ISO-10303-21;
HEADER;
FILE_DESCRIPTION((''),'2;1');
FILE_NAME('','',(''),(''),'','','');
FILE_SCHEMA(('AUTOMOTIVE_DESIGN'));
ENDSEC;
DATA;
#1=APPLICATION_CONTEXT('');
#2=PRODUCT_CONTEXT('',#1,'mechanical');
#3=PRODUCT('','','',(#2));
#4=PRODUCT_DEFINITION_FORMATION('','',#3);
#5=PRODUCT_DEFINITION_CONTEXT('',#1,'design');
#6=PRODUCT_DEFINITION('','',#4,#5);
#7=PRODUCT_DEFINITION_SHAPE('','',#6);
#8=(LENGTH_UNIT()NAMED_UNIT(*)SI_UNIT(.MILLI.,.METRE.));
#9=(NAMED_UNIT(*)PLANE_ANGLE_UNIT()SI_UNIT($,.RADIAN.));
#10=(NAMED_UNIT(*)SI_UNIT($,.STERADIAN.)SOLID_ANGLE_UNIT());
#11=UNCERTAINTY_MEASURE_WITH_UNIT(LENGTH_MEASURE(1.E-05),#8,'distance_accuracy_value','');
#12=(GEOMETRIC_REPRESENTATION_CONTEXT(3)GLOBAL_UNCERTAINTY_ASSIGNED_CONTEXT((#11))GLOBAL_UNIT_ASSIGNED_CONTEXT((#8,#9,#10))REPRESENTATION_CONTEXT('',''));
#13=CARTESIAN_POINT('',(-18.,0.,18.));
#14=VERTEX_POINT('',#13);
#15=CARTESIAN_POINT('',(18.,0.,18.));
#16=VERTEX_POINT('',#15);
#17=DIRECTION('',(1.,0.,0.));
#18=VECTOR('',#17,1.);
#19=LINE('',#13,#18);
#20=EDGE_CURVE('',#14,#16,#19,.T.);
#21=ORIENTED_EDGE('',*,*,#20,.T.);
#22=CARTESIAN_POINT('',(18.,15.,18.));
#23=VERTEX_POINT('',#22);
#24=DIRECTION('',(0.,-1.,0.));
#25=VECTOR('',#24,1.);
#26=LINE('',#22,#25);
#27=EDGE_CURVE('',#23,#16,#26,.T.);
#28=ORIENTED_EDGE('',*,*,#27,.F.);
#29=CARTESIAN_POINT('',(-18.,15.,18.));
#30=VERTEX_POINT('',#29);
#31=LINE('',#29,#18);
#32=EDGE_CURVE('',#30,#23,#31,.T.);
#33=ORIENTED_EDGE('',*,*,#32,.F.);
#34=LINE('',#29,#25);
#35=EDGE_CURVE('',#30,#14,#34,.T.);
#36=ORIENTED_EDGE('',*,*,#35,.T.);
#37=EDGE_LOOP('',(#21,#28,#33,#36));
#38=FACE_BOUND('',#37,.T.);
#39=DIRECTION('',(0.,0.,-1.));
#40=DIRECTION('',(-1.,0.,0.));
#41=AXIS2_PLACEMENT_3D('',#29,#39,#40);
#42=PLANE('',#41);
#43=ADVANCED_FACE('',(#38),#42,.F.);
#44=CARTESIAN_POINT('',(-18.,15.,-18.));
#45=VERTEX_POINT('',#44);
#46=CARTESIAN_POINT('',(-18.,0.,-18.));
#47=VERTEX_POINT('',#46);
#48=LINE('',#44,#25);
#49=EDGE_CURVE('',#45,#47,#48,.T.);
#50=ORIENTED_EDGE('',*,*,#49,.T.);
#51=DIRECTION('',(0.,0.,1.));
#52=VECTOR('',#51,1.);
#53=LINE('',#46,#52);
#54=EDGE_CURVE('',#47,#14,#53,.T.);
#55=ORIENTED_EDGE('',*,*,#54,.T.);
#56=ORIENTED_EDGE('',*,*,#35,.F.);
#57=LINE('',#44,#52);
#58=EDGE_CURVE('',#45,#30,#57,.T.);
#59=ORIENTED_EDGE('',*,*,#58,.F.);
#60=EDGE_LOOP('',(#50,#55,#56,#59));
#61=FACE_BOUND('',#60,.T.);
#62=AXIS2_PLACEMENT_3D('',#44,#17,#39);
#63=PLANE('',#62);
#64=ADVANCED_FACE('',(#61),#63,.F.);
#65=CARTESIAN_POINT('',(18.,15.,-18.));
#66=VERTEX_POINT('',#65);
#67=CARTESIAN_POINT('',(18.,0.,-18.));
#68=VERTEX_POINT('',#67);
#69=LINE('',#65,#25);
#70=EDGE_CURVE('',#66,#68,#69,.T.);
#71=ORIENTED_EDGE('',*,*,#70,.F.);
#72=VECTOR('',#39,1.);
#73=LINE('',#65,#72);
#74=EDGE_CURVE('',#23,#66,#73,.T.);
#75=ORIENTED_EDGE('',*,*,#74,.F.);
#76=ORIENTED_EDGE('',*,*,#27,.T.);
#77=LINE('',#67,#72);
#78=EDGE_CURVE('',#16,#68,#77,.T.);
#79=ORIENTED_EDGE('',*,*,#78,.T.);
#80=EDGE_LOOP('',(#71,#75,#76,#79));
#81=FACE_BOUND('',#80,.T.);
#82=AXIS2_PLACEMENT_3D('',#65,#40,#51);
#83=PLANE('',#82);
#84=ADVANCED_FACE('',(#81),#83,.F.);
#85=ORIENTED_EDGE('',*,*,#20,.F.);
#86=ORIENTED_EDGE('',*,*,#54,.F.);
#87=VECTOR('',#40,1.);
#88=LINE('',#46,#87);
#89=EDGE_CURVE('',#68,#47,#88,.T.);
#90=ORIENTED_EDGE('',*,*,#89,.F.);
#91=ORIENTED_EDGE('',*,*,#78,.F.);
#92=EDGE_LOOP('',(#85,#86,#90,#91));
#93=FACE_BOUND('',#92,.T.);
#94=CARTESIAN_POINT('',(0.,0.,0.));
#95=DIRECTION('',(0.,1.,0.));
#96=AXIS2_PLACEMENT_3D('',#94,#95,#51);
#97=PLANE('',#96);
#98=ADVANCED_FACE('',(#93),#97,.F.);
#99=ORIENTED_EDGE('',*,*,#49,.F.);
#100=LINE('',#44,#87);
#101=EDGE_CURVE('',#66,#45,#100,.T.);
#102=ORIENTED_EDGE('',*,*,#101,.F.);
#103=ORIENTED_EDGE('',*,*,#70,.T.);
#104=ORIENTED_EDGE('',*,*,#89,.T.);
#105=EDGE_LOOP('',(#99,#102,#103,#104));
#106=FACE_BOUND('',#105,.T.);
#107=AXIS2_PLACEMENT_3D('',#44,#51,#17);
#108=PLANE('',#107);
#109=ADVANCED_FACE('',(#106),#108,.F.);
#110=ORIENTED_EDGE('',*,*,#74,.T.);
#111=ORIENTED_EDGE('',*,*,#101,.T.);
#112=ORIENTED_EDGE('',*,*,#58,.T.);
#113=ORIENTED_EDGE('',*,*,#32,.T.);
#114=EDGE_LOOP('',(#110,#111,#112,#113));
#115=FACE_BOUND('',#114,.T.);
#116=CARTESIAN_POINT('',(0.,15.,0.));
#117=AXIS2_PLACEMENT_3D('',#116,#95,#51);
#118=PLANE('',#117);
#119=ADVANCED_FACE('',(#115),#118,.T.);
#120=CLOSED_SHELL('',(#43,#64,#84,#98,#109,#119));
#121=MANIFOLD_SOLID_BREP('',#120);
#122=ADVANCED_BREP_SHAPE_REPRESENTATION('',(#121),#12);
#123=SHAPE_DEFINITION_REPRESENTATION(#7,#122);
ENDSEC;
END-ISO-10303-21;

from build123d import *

# Parameters (mm, degrees)
SKETCH_1_W      = 36
SKETCH_1_H      = 36
EXTRUDE_1_DEPTH = 15


with BuildPart() as part:
    # 草图1 → 凸台-拉伸1 (new body)
    with BuildSketch(Plane(origin=(0, 0, 0), x_dir=(1, 0, 0), z_dir=(0, 1, 0))):
        Rectangle(SKETCH_1_W, SKETCH_1_H)
    extrude(amount=EXTRUDE_1_DEPTH)


solid = part.part
